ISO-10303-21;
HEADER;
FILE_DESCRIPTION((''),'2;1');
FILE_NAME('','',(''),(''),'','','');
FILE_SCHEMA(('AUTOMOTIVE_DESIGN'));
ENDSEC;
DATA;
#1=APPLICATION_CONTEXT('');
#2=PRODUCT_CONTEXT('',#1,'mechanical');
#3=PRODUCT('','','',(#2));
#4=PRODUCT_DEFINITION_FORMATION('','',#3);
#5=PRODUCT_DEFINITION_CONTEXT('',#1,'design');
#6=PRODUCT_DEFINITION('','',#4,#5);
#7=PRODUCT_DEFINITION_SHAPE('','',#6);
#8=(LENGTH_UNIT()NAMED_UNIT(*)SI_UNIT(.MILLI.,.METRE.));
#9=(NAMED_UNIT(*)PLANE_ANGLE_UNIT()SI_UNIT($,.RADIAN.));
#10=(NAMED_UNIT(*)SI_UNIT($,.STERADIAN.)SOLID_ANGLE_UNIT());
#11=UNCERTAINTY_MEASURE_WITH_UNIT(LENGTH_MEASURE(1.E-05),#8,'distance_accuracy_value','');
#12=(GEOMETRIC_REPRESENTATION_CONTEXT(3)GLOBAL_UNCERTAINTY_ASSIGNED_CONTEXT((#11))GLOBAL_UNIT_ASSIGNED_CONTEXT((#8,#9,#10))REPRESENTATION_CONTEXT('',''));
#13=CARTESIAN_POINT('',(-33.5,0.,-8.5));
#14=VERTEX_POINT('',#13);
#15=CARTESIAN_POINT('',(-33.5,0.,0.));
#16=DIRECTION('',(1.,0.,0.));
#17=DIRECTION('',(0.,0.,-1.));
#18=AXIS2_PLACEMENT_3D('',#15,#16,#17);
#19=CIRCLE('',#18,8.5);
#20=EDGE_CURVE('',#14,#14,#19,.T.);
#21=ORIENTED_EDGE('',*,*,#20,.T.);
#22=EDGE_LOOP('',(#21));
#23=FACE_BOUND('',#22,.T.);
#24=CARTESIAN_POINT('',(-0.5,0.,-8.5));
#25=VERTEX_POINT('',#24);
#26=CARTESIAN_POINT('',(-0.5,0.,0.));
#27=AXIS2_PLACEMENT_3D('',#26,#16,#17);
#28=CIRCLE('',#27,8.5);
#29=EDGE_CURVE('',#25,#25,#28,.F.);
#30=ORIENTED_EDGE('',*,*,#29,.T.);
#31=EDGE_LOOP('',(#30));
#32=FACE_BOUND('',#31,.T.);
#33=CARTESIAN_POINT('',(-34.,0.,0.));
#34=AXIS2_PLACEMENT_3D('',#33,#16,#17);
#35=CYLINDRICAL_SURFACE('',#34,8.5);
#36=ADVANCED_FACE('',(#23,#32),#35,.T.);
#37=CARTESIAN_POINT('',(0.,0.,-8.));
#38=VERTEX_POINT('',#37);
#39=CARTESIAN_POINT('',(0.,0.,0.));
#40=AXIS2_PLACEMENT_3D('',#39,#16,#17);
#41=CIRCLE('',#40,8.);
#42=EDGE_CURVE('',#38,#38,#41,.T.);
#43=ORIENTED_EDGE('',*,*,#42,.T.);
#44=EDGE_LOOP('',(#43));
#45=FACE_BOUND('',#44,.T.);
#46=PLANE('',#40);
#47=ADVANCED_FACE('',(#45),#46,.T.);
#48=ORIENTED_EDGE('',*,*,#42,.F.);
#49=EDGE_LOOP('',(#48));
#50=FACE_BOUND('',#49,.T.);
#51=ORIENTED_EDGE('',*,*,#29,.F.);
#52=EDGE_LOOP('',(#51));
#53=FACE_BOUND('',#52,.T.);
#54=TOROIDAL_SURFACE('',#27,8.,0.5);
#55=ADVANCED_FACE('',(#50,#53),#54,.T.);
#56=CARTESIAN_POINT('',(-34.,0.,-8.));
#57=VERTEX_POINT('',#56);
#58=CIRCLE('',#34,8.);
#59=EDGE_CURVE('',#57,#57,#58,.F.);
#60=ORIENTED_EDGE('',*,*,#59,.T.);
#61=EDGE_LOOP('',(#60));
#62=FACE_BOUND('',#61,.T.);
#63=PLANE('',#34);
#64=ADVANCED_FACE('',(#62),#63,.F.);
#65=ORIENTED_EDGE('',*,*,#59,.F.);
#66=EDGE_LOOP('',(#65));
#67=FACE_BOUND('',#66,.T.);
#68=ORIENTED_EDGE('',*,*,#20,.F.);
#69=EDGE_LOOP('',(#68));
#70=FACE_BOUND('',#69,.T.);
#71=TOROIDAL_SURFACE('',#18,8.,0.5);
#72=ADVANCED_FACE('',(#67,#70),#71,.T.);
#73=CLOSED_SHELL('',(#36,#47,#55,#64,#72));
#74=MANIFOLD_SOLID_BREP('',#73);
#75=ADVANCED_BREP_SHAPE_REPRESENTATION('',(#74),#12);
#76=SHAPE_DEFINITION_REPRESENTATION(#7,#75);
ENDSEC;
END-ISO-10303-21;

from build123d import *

# Parameters (mm, degrees)
SKETCH_2_R      = 8.5
EXTRUDE_1_DEPTH = 34
FILLET_1_R      = 0.5


with BuildPart() as part:
    # Эскиз2 → Бобышка-Вытянуть1 (new body)
    with BuildSketch(Plane(origin=(0, 0, 0), x_dir=(0, 0, -1), z_dir=(1, 0, 0))):
        Circle(SKETCH_2_R)
    extrude(amount=-EXTRUDE_1_DEPTH)

    # Скругление1
    fillet_1_edges = [part.edges().sort_by_distance(p)[0] for p in [
        (0, 0, 8.5),
        (-34, 0, 8.5),
    ]]
    fillet(fillet_1_edges, radius=FILLET_1_R)


solid = part.part
